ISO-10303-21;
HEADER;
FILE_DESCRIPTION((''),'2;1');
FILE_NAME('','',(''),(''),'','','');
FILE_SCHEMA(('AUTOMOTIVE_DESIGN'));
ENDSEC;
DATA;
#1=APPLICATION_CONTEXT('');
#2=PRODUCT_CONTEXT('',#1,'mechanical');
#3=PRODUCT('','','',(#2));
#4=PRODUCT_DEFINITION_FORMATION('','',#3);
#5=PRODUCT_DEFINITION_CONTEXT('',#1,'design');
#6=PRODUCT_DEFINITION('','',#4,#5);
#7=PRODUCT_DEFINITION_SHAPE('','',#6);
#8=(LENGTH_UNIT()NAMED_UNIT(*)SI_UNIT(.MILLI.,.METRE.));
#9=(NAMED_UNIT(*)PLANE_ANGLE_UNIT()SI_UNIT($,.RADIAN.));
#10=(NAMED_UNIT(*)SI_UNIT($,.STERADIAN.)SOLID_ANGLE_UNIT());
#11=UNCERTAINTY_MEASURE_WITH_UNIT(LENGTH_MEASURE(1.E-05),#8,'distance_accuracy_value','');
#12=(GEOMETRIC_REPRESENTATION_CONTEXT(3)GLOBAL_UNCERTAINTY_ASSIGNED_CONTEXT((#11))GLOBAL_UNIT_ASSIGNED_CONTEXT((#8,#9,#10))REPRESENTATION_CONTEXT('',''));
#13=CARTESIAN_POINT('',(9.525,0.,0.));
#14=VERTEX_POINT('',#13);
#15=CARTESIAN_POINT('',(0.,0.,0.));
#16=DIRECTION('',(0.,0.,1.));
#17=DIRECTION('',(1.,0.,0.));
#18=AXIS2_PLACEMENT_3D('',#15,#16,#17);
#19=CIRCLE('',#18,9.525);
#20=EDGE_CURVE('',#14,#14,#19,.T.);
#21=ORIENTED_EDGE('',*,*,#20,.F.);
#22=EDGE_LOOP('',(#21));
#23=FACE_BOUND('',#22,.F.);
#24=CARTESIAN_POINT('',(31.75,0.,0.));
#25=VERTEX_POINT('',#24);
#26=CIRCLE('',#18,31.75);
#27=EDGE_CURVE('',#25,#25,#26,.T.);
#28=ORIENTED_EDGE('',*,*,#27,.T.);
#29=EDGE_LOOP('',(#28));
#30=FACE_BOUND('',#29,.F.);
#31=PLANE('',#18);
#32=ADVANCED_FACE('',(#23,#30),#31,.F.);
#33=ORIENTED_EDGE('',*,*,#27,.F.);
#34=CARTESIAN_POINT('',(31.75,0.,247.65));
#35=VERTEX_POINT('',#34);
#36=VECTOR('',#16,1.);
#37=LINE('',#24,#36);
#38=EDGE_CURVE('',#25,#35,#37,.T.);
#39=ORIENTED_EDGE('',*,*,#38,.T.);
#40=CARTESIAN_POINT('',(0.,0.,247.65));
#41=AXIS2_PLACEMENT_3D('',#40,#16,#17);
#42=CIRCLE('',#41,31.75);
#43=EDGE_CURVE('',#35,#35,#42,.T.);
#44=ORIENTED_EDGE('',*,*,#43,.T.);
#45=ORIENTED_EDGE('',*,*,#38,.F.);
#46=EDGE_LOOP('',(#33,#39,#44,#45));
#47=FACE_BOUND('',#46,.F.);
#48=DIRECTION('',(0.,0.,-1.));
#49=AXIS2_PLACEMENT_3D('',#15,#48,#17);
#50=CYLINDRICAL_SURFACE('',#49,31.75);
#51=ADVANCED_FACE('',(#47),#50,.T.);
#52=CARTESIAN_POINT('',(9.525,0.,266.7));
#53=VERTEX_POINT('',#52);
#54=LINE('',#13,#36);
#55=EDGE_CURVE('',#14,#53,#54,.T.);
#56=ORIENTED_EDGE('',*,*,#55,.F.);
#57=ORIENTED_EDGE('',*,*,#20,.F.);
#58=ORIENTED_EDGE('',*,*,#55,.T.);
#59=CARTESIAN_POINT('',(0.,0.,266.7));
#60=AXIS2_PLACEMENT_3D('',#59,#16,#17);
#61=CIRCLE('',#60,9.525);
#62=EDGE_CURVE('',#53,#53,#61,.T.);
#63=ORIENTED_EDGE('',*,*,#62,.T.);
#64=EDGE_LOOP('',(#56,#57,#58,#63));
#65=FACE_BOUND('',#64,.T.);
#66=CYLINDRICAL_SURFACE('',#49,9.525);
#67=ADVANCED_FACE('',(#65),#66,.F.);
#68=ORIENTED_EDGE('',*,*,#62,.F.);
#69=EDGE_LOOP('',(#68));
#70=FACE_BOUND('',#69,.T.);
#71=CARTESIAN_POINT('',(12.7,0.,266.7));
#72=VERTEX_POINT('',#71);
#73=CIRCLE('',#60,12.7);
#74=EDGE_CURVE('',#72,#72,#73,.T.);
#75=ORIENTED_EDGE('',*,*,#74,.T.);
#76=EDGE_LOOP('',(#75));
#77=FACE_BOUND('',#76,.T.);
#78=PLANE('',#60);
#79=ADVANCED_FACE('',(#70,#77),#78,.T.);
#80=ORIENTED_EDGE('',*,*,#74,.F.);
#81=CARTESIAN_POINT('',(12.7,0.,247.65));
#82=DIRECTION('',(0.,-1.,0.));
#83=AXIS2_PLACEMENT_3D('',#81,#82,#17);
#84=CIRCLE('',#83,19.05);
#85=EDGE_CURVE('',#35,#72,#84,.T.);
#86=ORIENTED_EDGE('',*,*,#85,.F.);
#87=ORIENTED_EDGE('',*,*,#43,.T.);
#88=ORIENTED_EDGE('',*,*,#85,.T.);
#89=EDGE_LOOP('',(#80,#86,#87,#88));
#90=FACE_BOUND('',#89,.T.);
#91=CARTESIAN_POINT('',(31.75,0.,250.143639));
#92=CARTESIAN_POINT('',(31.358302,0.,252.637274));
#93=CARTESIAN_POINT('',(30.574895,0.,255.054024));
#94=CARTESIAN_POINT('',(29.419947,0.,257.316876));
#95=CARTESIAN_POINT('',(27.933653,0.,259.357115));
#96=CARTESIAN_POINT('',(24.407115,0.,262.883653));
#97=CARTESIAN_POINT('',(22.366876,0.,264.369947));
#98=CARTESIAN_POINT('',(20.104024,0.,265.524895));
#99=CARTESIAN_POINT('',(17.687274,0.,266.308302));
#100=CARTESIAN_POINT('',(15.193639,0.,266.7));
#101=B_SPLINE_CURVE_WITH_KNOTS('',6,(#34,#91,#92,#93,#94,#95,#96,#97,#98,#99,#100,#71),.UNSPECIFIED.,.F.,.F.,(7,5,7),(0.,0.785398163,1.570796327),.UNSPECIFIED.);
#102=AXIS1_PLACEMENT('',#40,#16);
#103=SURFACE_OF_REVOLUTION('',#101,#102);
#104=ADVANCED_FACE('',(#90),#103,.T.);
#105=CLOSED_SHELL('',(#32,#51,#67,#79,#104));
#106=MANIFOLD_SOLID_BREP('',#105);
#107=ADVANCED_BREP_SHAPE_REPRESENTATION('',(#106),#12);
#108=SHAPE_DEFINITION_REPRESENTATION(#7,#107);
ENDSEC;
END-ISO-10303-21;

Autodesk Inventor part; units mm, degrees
ref_plane "YZ Plane" through (0, 0, 0) normal (1, 0, 0) x (0, 1, 0)
ref_plane "XZ Plane" through (0, 0, 0) normal (0, 1, 0) x (-1, 0, 0)
ref_plane "XY Plane" through (0, 0, 0) normal (0, 0, 1) x (1, 0, 0)
sketch "Sketch1" plane through (0, 0, 0) normal (0, 0, 1) x (1, 0, 0)
  circle A0 centre (0, 0) radius 31.75
  circle A1 centre (0, 0) radius 9.525
  dimension "d0" = 63.5
  dimension "d1" = 19.05
extrude "Extrusion1" add sketch "Sketch1" along normal blind 266.7
fillet "Fillet1" radius 19.05 1 edges at (-31.75, 0, 266.7)
properties part number "Pool Noodle Part3 (26x28 robot)"
